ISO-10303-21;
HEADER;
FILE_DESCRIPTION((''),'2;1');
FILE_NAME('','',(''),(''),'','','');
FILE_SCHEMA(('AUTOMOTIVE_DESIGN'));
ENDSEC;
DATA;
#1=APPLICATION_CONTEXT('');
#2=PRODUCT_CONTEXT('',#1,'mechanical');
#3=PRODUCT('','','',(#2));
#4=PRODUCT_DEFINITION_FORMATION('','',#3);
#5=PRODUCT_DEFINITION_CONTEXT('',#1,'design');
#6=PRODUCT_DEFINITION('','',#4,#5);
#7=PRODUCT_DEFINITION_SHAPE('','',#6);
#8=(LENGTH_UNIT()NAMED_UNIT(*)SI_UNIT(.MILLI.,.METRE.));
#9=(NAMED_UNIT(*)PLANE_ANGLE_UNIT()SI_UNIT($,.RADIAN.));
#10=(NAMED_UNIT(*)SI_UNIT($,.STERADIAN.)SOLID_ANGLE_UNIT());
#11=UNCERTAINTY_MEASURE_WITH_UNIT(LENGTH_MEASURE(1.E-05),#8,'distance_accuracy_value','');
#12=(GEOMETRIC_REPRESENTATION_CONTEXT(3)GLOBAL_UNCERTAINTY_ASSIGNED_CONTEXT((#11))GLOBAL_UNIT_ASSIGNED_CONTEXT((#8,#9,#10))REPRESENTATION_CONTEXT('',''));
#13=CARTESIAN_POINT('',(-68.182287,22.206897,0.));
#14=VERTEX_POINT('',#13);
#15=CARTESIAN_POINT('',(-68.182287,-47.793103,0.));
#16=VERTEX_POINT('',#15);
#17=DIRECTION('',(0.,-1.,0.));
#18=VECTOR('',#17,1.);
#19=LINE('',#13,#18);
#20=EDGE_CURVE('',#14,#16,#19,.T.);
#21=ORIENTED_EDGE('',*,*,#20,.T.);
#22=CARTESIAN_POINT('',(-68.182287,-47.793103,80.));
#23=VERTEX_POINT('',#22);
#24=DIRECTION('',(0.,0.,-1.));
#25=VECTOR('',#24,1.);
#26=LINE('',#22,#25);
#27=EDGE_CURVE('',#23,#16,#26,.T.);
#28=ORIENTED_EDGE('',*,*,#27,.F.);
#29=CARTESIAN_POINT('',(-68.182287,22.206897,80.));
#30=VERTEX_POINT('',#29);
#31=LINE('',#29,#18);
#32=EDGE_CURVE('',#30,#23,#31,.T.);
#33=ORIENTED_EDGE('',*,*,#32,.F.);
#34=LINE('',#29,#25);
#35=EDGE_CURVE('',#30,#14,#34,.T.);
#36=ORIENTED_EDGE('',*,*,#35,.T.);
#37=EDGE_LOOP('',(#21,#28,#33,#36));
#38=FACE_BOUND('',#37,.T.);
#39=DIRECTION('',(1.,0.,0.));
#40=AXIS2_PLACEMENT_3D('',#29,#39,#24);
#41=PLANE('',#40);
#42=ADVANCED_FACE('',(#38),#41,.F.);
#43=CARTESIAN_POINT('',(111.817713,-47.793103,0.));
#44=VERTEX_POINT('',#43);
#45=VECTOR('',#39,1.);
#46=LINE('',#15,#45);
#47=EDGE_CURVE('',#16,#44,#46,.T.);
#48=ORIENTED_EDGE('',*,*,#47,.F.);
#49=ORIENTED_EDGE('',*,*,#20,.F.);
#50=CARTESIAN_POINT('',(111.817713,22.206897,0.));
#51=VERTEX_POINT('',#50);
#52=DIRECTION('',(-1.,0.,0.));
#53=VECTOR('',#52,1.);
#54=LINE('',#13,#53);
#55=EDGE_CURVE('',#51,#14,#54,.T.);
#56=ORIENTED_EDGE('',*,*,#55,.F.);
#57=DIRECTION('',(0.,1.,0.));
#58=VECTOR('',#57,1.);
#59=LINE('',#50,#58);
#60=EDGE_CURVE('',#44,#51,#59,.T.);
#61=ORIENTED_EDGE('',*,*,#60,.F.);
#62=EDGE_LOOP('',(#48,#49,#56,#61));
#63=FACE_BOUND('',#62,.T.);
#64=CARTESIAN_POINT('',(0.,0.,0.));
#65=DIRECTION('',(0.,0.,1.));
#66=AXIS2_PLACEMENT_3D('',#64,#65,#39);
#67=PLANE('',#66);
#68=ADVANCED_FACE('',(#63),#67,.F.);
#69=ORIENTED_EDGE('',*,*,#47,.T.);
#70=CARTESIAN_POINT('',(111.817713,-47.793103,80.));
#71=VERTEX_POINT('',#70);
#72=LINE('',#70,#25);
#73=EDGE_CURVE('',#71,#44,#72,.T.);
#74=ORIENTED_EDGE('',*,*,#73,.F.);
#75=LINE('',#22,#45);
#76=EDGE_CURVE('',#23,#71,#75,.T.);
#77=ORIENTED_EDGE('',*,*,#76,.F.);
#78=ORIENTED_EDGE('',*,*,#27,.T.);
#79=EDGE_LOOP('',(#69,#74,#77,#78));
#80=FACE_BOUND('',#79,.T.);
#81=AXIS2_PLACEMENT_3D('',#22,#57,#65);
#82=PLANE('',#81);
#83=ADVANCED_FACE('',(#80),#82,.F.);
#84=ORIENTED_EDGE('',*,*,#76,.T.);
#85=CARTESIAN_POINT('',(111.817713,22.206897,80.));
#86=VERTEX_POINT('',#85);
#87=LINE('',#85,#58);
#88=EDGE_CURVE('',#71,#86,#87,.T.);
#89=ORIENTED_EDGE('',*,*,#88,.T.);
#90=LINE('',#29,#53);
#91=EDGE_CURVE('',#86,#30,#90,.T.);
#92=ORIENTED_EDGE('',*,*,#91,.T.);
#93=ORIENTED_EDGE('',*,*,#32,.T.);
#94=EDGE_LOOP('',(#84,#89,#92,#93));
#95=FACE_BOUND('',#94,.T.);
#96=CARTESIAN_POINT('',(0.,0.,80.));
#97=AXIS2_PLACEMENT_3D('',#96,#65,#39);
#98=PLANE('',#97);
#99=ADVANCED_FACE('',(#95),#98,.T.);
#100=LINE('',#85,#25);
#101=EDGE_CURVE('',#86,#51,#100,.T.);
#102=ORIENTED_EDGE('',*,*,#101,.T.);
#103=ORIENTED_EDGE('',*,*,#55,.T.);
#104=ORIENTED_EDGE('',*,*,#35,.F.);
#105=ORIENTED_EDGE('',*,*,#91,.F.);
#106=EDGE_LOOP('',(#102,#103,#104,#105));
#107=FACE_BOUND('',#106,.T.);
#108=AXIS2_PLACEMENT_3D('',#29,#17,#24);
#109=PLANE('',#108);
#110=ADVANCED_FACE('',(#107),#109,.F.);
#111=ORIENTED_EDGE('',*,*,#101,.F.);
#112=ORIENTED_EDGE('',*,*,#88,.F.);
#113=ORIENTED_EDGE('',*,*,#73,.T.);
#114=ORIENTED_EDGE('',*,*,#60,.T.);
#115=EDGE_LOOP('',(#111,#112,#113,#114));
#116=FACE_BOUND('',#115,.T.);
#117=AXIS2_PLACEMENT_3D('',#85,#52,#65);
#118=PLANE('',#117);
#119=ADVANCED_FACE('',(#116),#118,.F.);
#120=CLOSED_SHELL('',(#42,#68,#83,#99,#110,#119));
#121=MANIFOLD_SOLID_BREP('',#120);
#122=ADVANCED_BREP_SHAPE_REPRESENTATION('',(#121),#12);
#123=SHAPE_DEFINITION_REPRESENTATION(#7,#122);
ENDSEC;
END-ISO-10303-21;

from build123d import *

# Parameters (mm, degrees)
SKETCH_1_W      = 180
SKETCH_1_H      = 70
EXTRUDE_1_DEPTH = 80


with BuildPart() as part:
    # 草圖1 → 填料-伸長1 (new body)
    with BuildSketch(Plane.XY):
        with Locations((21.817712619, -12.793103448)):
            Rectangle(SKETCH_1_W, SKETCH_1_H)
    extrude(amount=EXTRUDE_1_DEPTH)


solid = part.part
